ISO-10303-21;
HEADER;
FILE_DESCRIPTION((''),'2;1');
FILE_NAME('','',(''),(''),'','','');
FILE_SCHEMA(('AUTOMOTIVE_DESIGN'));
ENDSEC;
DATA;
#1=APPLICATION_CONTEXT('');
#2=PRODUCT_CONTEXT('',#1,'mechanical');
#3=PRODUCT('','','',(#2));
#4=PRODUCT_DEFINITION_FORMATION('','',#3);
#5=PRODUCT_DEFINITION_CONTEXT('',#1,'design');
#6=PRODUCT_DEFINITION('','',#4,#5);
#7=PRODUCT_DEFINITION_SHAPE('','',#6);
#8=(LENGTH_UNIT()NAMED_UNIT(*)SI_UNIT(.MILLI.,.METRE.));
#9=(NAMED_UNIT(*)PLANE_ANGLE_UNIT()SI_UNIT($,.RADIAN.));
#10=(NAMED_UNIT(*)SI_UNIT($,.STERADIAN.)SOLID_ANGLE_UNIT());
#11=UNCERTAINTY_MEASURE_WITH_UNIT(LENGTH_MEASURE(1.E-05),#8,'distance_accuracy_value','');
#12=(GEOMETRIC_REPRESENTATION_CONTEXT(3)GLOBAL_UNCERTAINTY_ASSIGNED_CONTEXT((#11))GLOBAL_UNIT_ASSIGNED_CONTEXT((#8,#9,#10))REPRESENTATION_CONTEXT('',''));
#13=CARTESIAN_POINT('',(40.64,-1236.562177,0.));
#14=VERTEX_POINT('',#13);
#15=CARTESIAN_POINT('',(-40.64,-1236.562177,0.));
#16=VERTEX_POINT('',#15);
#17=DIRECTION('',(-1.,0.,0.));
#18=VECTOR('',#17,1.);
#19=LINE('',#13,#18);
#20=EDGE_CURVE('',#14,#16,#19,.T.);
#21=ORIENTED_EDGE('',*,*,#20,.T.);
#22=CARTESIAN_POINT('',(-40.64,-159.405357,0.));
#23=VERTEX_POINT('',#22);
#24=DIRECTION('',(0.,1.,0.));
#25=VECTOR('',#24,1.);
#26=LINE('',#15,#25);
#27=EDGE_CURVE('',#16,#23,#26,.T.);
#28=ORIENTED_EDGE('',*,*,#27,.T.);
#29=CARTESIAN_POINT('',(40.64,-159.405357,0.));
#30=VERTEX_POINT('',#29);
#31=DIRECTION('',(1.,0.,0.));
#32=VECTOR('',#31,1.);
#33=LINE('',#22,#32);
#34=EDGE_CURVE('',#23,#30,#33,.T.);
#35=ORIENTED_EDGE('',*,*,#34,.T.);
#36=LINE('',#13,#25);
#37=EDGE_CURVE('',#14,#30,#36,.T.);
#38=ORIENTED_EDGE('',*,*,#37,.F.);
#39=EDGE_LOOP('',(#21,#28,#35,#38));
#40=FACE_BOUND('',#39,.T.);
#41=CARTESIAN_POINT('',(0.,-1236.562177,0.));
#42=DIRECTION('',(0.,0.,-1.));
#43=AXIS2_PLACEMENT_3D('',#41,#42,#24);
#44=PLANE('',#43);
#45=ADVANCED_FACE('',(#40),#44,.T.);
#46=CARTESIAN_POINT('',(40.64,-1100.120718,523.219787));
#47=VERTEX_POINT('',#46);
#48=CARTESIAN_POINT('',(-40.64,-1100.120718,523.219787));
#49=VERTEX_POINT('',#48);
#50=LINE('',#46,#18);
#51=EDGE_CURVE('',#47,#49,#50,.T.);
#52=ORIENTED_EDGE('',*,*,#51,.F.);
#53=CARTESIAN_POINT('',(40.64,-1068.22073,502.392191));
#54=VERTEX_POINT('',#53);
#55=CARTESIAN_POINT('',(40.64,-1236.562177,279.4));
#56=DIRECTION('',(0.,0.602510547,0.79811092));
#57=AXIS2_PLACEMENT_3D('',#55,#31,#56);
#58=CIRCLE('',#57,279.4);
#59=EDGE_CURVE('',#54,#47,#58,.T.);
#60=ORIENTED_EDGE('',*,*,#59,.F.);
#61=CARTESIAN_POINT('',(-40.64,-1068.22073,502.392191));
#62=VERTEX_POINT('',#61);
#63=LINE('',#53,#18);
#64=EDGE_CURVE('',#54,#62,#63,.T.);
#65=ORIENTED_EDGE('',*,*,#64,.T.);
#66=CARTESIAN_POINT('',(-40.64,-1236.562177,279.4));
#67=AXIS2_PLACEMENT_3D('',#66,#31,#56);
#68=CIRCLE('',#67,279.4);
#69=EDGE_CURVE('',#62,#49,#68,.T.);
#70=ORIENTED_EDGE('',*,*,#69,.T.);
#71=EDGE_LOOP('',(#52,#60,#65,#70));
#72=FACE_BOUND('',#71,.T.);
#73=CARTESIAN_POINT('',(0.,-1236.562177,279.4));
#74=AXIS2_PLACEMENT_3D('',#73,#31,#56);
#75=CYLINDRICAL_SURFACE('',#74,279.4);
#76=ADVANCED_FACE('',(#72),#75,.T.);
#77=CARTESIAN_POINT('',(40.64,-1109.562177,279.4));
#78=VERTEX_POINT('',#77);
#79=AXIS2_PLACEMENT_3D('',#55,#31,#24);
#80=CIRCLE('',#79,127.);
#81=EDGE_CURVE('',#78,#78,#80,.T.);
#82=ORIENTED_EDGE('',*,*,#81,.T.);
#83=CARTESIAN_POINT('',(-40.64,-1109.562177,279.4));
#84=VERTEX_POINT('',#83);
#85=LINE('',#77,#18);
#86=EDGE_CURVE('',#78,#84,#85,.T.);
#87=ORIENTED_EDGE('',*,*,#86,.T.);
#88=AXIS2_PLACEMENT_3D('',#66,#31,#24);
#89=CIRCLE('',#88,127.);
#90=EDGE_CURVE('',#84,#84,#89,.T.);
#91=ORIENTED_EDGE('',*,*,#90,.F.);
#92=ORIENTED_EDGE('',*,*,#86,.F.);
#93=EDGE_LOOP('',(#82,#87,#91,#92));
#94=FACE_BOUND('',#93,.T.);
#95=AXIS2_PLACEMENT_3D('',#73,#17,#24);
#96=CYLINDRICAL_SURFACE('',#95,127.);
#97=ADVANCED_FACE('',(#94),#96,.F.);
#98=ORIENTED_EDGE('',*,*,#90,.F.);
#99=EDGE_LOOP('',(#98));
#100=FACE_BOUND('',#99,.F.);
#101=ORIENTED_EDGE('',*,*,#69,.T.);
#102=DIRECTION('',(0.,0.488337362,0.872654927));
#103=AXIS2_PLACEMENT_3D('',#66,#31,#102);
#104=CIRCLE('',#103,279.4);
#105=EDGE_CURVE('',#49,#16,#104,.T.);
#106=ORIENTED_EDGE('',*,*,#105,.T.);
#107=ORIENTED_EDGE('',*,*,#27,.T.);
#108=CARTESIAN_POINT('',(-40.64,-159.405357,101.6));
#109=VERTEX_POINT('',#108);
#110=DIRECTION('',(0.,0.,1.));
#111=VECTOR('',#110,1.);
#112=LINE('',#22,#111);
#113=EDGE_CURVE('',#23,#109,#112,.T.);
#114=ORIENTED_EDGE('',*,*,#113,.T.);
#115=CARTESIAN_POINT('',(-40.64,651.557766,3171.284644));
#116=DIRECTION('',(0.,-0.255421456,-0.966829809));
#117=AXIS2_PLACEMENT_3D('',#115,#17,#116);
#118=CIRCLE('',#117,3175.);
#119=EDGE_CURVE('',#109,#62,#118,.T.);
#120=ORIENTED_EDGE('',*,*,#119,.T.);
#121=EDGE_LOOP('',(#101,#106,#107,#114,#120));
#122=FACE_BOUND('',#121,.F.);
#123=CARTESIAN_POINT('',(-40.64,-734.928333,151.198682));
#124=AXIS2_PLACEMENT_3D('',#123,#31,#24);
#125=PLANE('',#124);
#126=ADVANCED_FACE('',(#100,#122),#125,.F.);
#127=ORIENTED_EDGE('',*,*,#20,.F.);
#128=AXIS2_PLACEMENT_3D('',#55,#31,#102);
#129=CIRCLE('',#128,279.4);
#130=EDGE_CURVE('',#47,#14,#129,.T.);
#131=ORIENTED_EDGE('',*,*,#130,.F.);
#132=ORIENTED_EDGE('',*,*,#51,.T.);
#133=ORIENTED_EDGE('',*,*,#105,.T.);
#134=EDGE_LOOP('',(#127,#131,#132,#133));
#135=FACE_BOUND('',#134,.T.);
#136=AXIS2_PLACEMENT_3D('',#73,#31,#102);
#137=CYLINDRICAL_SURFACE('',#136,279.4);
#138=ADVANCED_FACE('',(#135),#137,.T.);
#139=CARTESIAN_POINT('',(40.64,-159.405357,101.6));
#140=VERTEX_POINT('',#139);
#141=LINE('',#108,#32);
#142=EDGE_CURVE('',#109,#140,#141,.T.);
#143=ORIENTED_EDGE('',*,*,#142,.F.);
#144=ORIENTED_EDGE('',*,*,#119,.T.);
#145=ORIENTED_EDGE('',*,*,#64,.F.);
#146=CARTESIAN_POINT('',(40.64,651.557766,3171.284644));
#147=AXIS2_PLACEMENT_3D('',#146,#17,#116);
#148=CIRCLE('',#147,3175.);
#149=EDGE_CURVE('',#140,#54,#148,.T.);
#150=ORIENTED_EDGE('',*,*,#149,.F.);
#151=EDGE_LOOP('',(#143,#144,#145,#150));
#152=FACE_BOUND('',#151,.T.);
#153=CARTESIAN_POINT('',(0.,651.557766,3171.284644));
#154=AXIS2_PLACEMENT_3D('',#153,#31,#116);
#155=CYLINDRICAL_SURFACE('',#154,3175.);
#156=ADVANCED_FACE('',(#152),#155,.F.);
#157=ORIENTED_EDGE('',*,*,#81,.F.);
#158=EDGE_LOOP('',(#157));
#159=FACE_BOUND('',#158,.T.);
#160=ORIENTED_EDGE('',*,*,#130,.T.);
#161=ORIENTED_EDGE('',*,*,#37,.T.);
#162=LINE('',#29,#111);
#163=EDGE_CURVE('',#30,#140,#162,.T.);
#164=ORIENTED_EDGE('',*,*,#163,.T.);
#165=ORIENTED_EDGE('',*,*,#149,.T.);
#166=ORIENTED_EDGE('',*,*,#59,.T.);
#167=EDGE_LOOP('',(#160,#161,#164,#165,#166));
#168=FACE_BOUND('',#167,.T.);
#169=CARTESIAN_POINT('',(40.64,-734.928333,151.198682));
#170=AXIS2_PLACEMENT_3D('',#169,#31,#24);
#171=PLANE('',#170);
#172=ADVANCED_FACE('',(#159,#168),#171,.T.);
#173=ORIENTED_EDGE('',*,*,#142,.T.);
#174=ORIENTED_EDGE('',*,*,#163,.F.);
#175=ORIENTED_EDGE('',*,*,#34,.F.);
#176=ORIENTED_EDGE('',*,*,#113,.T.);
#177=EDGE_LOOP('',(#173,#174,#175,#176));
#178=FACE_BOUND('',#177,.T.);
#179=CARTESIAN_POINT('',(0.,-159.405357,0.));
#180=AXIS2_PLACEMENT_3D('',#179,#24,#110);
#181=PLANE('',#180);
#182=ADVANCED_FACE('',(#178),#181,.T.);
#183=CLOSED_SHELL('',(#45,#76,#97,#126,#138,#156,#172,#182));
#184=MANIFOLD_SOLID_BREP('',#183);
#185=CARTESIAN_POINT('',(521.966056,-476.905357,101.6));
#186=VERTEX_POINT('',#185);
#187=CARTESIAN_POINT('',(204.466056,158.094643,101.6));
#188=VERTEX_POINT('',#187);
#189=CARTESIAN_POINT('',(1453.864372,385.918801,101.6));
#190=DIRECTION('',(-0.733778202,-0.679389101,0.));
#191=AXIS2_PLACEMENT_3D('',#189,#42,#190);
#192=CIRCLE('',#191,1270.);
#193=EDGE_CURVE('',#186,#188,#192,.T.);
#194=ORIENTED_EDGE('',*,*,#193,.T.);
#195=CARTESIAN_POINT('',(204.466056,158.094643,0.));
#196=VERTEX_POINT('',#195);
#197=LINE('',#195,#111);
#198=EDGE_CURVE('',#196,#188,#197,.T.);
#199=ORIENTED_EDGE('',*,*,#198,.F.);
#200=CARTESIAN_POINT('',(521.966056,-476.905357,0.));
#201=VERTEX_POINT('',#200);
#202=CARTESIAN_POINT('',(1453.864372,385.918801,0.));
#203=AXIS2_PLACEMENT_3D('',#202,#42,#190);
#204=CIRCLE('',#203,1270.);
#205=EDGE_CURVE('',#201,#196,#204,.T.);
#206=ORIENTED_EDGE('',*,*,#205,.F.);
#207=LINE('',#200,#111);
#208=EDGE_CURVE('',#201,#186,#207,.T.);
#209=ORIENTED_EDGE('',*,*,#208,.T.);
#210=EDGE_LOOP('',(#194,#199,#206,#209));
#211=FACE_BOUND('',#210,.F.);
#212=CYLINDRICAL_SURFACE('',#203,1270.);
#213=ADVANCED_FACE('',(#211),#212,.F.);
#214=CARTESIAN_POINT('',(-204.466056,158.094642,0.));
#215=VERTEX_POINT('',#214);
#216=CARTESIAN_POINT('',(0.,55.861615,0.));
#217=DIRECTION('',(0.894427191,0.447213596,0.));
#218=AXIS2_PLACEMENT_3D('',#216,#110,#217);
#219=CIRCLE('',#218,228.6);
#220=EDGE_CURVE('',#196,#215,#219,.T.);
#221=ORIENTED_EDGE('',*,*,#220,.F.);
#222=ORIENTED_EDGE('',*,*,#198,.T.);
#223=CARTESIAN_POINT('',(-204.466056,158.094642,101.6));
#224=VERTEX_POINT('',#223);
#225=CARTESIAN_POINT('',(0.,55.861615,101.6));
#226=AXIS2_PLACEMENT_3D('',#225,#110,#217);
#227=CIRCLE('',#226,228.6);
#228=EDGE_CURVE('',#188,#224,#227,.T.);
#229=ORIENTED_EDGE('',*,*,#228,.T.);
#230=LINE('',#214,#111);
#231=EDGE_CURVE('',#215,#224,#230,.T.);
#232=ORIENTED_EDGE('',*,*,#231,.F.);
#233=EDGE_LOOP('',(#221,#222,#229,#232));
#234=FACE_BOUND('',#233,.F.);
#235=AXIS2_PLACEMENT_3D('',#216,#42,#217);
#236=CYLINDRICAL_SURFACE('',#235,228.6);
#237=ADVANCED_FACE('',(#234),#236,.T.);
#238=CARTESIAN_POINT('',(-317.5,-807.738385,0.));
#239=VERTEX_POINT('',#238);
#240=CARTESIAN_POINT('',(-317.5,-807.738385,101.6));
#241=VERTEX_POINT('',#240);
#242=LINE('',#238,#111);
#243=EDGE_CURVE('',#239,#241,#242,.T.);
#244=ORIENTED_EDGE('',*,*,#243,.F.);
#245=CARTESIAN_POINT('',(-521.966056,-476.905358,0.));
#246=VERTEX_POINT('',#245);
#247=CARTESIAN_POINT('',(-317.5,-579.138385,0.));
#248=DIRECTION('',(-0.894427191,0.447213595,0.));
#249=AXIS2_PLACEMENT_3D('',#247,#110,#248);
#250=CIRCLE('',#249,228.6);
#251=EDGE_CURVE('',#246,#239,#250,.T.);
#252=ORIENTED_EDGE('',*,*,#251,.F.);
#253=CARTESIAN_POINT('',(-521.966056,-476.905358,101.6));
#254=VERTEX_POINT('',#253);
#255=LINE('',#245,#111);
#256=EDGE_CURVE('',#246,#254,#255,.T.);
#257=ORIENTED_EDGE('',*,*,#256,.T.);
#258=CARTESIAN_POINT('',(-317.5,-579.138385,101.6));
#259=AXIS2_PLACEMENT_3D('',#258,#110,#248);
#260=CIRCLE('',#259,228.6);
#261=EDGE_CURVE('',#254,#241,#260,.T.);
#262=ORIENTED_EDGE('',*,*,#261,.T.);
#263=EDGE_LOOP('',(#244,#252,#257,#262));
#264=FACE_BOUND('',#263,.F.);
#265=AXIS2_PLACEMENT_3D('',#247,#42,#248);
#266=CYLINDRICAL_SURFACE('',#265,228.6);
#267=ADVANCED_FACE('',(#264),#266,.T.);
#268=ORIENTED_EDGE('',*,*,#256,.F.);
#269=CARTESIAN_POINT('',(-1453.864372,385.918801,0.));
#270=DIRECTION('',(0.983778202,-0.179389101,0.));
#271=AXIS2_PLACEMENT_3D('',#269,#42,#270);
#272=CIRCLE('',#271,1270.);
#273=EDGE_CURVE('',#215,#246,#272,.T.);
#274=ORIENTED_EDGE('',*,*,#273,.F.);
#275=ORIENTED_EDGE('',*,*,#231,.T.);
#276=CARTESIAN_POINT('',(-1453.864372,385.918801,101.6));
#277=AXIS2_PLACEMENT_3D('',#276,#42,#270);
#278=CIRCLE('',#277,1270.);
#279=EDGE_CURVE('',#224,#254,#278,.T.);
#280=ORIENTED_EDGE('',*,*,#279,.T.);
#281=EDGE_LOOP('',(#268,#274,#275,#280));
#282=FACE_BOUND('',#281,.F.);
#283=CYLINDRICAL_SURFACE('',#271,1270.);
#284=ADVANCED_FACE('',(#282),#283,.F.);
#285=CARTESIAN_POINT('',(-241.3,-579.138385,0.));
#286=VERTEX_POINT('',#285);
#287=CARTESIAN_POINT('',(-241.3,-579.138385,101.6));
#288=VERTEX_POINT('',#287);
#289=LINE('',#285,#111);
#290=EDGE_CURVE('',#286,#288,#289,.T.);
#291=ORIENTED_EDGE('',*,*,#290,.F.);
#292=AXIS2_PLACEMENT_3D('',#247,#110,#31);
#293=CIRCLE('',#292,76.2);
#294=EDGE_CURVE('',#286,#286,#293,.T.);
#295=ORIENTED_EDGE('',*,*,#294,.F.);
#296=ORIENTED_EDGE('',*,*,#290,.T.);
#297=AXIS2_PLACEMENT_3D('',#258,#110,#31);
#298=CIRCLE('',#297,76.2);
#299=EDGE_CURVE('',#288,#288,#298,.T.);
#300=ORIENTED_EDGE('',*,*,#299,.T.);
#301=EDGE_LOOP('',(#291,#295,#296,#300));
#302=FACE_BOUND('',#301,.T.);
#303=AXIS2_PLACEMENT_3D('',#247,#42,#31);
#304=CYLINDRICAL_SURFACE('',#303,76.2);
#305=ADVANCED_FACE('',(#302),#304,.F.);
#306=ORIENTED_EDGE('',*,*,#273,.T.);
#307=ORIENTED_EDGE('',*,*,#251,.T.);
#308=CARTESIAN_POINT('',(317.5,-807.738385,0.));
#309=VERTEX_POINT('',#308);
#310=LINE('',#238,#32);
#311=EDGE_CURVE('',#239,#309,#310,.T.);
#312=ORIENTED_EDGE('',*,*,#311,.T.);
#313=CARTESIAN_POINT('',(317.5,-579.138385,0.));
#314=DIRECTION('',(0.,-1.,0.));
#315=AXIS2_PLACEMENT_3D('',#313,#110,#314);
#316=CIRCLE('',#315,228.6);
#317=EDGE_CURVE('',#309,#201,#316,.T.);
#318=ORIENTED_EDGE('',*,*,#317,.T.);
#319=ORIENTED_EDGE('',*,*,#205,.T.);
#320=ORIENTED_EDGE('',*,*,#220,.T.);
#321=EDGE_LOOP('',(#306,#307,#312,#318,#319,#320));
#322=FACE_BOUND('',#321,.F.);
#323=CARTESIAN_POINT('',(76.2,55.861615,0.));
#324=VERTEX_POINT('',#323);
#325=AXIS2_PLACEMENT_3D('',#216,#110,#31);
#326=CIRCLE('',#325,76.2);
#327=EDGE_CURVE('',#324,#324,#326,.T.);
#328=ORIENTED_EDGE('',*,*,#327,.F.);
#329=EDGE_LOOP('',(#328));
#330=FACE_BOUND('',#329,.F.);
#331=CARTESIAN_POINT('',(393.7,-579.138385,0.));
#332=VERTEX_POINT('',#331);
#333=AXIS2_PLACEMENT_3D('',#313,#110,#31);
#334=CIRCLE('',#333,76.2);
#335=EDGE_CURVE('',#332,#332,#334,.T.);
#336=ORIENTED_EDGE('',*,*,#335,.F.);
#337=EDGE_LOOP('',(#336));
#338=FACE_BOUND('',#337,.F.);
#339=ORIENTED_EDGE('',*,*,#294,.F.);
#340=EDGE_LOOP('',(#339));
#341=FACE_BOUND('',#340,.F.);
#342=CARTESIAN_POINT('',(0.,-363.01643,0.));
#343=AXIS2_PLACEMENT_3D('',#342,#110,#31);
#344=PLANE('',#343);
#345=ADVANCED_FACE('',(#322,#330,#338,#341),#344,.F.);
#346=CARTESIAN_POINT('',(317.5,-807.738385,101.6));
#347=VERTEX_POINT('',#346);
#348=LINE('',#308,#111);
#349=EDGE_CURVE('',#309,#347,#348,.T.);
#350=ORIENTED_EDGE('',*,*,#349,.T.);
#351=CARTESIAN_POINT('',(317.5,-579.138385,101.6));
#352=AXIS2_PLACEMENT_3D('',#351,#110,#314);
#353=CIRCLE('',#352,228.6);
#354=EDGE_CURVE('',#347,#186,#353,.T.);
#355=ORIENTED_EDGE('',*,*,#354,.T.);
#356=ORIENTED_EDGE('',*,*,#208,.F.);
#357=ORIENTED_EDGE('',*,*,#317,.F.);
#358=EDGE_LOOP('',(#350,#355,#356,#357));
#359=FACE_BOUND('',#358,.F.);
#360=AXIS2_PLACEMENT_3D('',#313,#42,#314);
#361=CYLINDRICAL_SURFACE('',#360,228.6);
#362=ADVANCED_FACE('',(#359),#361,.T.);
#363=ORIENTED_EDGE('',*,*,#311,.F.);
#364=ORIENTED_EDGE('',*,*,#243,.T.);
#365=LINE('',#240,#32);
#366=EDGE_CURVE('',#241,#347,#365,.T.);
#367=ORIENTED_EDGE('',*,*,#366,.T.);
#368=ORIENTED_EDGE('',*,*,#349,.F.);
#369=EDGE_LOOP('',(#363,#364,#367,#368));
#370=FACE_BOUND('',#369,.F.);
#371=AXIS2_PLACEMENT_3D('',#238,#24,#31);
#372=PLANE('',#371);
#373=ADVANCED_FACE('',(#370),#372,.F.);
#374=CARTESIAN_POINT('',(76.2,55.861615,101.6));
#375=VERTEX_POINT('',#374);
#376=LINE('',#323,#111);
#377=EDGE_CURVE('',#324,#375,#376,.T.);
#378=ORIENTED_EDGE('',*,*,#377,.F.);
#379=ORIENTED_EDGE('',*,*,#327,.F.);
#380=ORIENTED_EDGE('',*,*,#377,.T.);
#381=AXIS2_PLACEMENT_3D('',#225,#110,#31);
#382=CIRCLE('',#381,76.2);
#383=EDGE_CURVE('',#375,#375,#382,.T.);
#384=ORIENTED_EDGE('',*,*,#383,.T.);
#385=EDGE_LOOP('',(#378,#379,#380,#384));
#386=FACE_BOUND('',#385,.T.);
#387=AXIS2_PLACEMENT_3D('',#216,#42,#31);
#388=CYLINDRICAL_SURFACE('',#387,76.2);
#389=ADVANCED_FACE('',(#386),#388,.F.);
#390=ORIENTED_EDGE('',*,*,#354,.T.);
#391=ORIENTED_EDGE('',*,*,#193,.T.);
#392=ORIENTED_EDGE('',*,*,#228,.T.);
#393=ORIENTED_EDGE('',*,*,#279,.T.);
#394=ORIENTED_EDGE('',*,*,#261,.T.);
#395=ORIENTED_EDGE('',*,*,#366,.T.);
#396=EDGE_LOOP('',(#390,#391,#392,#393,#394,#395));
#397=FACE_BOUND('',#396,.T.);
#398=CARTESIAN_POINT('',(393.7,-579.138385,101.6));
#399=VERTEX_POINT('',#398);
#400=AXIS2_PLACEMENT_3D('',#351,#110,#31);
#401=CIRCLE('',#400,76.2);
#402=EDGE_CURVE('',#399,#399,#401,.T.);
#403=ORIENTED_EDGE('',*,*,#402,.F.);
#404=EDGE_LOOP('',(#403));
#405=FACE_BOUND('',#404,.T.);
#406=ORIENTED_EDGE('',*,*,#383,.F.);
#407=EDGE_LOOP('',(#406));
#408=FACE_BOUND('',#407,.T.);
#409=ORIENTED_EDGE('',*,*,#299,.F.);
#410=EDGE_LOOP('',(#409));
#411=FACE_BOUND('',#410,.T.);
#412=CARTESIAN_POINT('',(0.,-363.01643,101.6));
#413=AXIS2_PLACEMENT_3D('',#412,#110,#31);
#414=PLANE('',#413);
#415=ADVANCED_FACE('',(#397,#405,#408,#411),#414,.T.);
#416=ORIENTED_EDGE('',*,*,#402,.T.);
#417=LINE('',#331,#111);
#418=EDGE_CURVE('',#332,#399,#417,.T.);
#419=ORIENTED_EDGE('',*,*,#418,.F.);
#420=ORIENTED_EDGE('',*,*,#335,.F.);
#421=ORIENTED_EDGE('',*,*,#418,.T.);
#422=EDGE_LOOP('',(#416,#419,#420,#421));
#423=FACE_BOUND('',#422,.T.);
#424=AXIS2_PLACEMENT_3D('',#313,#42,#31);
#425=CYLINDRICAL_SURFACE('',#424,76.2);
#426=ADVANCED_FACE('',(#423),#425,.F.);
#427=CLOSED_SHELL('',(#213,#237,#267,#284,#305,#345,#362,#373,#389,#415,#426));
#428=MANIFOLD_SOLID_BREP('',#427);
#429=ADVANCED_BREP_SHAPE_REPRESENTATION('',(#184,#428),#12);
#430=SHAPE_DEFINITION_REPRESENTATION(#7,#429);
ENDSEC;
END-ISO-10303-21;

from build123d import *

# Parameters (mm, degrees)
F0_R     = 76.2
F1_DEPTH = 101.6
F2_R     = 127
F3_DEPTH = 40.64


with BuildPart() as f1:
    # F0 (on Top) → F1 (new body)
    with BuildSketch(Plane.XY):
        with BuildLine():
            ThreePointArc((521.9660558144, -476.9053573278), (317.9418396142, -182.042465428), (204.4660558144, 158.0946426722))
            ThreePointArc((204.4660558144, 158.0946426722), (-1.077e-07, 284.4616146445), (-204.4660559108, 158.0946424795))
            ThreePointArc((-204.4660559108, 158.0946424795), (-317.9418397105, -182.0424656206), (-521.9660559108, -476.9053575205))
            ThreePointArc((-521.9660559108, -476.9053575205), (-511.958774761, -699.3205176317), (-317.5, -807.7383853555))
            Line((-317.5, -807.7383853555), (317.5, -807.7383853555))
            ThreePointArc((317.5, -807.7383853555), (511.9587748176, -699.3205175401), (521.9660558144, -476.9053573278))
        make_face()
        with Locations((-317.5, -579.1383853555)):
            Circle(F0_R, mode=Mode.SUBTRACT)
        with Locations((317.5, -579.1383853555)):
            Circle(F0_R, mode=Mode.SUBTRACT)
        with Locations((0, 55.8616146445)):
            Circle(F0_R, mode=Mode.SUBTRACT)
    extrude(amount=F1_DEPTH)


with BuildPart() as f3:
    # F2 (on Right) → F3 (new body, symmetric)
    with BuildSketch(Plane.YZ):
        with BuildLine():
            Line((-1236.562177204, 0), (-159.4053573278, 0))
            Line((-159.4053573278, 0), (-159.4053573278, 101.6))
            ThreePointArc((-159.4053573278, 101.6), (-629.5830855996, 266.2367752365), (-1068.22073044, 502.392191122))
            ThreePointArc((-1068.22073044, 502.392191122), (-986.4632365567, 403.9587407092), (-957.162177204, 279.4))
            ThreePointArc((-957.162177204, 279.4), (-1038.9965425405, 81.8343653365), (-1236.562177204, 0))
        make_face()
        with BuildLine():
            ThreePointArc((-1100.1207183456, 523.2197865321), (-1506.9208356164, 349.9021689132), (-1236.562177204, 0))
            ThreePointArc((-1236.562177204, 0), (-1038.9965425405, 81.8343653365), (-957.162177204, 279.4))
            ThreePointArc((-957.162177204, 279.4), (-986.4632365567, 403.9587407092), (-1068.22073044, 502.392191122))
            ThreePointArc((-1068.22073044, 502.392191122), (-1084.2019637852, 512.7581419096), (-1100.1207183456, 523.2197865321))
        make_face()
        with Locations((-1236.562177204, 279.4)):
            Circle(F2_R, mode=Mode.SUBTRACT)
        with BuildLine():
            ThreePointArc((-1068.22073044, 502.392191122), (-1083.815321025, 513.3503321806), (-1100.1207183456, 523.2197865321))
            ThreePointArc((-1100.1207183456, 523.2197865321), (-1084.2019637852, 512.7581419096), (-1068.22073044, 502.392191122))
        make_face()
    extrude(amount=F3_DEPTH, both=True)


solid = Compound([f1.part, f3.part])
